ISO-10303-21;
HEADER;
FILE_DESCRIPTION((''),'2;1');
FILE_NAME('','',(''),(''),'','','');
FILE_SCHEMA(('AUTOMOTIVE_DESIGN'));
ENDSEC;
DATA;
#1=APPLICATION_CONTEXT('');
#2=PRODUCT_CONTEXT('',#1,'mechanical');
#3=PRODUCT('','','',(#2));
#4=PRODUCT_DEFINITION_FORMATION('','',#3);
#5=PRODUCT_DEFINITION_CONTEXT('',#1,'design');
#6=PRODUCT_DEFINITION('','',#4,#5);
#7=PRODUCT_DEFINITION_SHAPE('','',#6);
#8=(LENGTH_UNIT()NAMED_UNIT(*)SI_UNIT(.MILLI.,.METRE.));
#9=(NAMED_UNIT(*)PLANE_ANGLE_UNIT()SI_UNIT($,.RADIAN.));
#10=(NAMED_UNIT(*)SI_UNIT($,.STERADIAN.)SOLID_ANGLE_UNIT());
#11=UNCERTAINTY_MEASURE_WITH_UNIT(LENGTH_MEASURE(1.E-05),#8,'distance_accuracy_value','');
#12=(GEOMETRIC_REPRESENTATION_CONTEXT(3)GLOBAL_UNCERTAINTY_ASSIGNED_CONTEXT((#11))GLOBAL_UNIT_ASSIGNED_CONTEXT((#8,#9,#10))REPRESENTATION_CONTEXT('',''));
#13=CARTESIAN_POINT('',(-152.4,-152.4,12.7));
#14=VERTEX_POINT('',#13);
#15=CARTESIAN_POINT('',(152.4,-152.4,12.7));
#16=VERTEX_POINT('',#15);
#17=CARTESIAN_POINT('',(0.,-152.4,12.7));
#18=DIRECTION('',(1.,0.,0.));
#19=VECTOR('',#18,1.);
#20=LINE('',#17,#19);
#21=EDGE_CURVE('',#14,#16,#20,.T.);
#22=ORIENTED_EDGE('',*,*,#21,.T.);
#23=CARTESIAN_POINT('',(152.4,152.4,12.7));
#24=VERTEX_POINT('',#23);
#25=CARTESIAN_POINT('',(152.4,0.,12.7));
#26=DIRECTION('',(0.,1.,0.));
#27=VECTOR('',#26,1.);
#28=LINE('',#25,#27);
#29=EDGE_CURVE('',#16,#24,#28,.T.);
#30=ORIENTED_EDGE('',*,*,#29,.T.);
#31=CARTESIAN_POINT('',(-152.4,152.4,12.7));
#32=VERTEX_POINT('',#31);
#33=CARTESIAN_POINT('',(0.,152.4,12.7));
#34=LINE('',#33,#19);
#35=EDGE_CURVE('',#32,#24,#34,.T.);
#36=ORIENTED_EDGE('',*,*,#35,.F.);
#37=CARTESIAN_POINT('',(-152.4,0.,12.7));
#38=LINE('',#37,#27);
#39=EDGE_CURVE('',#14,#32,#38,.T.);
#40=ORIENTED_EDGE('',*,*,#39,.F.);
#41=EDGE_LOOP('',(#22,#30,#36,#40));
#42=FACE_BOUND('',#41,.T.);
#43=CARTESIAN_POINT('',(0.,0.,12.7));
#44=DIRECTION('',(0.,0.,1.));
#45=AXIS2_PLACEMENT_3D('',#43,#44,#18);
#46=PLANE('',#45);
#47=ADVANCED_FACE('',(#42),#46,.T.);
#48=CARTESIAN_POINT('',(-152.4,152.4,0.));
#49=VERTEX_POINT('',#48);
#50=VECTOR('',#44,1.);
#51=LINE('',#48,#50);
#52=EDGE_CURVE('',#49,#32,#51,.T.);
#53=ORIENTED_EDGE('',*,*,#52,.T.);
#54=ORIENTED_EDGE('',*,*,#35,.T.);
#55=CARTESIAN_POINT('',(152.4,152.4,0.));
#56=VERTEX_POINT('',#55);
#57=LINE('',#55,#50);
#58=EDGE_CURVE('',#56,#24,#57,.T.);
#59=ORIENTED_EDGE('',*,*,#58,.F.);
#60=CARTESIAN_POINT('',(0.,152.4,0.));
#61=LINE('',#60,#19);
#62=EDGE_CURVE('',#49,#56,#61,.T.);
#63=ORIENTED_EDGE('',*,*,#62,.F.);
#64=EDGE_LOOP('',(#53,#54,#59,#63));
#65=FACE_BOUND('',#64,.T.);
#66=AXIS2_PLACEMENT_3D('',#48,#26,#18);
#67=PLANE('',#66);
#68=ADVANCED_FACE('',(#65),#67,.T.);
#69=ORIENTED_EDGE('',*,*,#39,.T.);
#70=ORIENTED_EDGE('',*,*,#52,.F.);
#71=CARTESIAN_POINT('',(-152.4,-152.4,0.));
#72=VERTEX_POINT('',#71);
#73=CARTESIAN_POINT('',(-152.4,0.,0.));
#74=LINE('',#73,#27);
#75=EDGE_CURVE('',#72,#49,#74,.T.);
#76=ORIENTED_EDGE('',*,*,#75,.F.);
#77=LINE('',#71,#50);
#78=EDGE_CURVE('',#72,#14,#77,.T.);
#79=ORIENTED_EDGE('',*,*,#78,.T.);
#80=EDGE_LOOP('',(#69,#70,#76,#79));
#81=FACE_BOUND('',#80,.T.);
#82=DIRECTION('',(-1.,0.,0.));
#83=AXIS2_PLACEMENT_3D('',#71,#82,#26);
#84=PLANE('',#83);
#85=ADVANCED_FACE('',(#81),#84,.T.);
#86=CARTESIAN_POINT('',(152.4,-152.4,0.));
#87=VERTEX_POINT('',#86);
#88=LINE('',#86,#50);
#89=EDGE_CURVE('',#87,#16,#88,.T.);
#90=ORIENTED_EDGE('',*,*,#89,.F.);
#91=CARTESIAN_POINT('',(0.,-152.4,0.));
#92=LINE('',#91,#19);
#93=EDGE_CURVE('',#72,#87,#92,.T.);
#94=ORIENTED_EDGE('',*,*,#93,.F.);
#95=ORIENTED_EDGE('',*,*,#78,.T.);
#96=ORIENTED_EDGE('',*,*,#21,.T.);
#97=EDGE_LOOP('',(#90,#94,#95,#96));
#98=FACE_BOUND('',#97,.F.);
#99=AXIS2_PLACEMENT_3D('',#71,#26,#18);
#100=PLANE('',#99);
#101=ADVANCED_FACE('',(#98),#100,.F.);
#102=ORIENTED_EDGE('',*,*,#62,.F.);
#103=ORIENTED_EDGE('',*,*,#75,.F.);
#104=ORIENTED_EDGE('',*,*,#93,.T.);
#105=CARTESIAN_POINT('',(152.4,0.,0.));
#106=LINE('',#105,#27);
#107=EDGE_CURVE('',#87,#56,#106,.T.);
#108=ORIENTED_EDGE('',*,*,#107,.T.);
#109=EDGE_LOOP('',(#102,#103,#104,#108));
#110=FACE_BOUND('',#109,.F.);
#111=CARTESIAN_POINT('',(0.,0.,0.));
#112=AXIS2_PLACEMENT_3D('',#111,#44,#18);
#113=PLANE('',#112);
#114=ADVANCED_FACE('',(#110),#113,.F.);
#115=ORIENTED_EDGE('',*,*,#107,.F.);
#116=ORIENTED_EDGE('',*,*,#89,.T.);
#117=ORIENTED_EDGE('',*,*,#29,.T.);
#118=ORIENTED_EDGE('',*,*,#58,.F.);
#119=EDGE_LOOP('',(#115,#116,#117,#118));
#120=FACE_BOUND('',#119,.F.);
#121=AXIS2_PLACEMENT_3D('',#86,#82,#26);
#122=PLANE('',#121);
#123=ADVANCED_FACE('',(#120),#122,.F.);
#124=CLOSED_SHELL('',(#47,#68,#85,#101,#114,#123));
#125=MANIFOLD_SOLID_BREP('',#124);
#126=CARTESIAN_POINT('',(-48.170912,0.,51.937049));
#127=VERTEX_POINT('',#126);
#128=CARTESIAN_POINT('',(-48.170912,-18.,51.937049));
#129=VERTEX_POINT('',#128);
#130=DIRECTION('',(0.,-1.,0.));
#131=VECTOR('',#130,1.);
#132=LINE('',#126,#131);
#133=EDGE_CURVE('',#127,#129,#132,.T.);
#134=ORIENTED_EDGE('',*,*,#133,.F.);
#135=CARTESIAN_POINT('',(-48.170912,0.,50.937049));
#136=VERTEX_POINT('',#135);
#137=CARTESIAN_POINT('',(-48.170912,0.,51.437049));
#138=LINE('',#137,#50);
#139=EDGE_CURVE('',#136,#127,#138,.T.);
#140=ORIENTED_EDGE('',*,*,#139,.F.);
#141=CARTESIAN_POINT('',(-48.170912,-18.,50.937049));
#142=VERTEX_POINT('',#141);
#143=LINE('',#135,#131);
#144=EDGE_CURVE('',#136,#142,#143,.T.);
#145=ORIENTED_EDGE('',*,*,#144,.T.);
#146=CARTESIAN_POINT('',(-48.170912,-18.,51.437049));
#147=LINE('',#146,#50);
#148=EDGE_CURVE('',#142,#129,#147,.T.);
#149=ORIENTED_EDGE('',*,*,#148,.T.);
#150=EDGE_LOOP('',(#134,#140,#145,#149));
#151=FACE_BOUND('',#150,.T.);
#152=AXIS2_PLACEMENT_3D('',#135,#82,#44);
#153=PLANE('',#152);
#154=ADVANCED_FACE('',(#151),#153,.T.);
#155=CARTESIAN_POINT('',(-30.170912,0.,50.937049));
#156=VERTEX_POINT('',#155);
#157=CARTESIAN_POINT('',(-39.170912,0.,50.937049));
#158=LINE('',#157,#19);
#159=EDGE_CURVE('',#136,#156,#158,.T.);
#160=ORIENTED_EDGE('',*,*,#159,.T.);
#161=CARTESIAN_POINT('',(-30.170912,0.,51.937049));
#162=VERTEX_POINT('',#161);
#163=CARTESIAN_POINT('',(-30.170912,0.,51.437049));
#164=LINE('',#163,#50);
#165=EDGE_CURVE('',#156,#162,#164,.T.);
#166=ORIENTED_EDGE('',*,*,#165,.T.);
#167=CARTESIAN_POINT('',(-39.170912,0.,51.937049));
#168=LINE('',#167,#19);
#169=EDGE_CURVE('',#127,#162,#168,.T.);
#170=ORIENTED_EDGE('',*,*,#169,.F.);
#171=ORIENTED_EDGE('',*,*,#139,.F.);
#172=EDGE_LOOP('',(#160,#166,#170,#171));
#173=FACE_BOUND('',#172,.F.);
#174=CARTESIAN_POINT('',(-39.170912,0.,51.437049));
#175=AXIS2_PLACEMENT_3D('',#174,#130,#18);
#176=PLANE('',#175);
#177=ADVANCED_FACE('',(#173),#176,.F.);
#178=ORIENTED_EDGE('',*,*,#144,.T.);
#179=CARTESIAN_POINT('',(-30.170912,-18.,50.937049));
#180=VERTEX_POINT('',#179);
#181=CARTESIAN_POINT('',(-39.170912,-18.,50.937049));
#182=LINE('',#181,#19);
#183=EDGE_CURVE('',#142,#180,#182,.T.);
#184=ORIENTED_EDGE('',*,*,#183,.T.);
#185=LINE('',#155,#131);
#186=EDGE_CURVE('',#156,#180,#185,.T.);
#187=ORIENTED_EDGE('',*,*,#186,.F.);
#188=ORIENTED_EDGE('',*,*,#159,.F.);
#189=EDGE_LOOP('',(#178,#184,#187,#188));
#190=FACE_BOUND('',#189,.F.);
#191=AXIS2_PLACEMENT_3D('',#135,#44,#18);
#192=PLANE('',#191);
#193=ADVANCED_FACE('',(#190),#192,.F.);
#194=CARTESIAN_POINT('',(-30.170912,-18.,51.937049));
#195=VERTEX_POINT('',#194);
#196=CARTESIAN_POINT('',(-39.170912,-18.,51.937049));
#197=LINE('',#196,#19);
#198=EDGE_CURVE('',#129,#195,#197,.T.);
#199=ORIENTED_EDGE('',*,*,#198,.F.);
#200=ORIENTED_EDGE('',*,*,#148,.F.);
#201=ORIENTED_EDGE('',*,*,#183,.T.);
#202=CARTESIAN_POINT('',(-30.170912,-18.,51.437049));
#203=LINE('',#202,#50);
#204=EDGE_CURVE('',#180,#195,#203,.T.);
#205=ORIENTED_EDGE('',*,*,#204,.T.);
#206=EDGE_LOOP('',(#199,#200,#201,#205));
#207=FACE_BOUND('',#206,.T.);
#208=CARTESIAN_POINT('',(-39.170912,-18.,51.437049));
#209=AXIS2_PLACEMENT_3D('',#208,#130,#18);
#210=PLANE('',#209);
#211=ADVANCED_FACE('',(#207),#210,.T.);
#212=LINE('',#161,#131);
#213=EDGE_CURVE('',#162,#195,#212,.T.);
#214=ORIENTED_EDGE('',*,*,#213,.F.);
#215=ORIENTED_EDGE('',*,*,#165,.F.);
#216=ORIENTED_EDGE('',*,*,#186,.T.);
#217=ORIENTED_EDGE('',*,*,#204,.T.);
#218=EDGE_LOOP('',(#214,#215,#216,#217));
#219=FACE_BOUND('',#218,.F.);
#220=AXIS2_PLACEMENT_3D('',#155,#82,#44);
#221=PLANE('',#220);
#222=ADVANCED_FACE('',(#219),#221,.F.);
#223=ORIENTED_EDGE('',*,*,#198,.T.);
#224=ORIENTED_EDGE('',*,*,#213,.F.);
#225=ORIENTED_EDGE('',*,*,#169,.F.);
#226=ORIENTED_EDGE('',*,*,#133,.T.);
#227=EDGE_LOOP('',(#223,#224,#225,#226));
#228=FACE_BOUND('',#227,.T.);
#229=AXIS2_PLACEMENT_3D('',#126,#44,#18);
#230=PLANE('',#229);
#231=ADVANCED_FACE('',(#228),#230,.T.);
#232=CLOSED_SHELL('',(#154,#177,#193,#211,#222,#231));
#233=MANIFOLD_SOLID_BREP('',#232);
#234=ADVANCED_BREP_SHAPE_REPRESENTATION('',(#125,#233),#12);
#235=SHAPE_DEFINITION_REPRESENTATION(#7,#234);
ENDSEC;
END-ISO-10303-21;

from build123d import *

# Parameters (mm, degrees)
F0_W     = 304.8
F0_H     = 304.8
F1_DEPTH = 12.7
F2_W     = 18
F2_H     = 1
F3_DEPTH = 18


with BuildPart() as f1:
    # F0 (on Top) → F1 (new body)
    with BuildSketch(Plane.XY):
        Rectangle(F0_W, F0_H)
    extrude(amount=F1_DEPTH)


with BuildPart() as f3:
    # F2 (on Front) → F3 (new body)
    with BuildSketch(Plane.XZ):
        with Locations((-39.170912, 51.437049)):
            Rectangle(F2_W, F2_H)
    extrude(amount=F3_DEPTH)


solid = Compound([f1.part, f3.part])
